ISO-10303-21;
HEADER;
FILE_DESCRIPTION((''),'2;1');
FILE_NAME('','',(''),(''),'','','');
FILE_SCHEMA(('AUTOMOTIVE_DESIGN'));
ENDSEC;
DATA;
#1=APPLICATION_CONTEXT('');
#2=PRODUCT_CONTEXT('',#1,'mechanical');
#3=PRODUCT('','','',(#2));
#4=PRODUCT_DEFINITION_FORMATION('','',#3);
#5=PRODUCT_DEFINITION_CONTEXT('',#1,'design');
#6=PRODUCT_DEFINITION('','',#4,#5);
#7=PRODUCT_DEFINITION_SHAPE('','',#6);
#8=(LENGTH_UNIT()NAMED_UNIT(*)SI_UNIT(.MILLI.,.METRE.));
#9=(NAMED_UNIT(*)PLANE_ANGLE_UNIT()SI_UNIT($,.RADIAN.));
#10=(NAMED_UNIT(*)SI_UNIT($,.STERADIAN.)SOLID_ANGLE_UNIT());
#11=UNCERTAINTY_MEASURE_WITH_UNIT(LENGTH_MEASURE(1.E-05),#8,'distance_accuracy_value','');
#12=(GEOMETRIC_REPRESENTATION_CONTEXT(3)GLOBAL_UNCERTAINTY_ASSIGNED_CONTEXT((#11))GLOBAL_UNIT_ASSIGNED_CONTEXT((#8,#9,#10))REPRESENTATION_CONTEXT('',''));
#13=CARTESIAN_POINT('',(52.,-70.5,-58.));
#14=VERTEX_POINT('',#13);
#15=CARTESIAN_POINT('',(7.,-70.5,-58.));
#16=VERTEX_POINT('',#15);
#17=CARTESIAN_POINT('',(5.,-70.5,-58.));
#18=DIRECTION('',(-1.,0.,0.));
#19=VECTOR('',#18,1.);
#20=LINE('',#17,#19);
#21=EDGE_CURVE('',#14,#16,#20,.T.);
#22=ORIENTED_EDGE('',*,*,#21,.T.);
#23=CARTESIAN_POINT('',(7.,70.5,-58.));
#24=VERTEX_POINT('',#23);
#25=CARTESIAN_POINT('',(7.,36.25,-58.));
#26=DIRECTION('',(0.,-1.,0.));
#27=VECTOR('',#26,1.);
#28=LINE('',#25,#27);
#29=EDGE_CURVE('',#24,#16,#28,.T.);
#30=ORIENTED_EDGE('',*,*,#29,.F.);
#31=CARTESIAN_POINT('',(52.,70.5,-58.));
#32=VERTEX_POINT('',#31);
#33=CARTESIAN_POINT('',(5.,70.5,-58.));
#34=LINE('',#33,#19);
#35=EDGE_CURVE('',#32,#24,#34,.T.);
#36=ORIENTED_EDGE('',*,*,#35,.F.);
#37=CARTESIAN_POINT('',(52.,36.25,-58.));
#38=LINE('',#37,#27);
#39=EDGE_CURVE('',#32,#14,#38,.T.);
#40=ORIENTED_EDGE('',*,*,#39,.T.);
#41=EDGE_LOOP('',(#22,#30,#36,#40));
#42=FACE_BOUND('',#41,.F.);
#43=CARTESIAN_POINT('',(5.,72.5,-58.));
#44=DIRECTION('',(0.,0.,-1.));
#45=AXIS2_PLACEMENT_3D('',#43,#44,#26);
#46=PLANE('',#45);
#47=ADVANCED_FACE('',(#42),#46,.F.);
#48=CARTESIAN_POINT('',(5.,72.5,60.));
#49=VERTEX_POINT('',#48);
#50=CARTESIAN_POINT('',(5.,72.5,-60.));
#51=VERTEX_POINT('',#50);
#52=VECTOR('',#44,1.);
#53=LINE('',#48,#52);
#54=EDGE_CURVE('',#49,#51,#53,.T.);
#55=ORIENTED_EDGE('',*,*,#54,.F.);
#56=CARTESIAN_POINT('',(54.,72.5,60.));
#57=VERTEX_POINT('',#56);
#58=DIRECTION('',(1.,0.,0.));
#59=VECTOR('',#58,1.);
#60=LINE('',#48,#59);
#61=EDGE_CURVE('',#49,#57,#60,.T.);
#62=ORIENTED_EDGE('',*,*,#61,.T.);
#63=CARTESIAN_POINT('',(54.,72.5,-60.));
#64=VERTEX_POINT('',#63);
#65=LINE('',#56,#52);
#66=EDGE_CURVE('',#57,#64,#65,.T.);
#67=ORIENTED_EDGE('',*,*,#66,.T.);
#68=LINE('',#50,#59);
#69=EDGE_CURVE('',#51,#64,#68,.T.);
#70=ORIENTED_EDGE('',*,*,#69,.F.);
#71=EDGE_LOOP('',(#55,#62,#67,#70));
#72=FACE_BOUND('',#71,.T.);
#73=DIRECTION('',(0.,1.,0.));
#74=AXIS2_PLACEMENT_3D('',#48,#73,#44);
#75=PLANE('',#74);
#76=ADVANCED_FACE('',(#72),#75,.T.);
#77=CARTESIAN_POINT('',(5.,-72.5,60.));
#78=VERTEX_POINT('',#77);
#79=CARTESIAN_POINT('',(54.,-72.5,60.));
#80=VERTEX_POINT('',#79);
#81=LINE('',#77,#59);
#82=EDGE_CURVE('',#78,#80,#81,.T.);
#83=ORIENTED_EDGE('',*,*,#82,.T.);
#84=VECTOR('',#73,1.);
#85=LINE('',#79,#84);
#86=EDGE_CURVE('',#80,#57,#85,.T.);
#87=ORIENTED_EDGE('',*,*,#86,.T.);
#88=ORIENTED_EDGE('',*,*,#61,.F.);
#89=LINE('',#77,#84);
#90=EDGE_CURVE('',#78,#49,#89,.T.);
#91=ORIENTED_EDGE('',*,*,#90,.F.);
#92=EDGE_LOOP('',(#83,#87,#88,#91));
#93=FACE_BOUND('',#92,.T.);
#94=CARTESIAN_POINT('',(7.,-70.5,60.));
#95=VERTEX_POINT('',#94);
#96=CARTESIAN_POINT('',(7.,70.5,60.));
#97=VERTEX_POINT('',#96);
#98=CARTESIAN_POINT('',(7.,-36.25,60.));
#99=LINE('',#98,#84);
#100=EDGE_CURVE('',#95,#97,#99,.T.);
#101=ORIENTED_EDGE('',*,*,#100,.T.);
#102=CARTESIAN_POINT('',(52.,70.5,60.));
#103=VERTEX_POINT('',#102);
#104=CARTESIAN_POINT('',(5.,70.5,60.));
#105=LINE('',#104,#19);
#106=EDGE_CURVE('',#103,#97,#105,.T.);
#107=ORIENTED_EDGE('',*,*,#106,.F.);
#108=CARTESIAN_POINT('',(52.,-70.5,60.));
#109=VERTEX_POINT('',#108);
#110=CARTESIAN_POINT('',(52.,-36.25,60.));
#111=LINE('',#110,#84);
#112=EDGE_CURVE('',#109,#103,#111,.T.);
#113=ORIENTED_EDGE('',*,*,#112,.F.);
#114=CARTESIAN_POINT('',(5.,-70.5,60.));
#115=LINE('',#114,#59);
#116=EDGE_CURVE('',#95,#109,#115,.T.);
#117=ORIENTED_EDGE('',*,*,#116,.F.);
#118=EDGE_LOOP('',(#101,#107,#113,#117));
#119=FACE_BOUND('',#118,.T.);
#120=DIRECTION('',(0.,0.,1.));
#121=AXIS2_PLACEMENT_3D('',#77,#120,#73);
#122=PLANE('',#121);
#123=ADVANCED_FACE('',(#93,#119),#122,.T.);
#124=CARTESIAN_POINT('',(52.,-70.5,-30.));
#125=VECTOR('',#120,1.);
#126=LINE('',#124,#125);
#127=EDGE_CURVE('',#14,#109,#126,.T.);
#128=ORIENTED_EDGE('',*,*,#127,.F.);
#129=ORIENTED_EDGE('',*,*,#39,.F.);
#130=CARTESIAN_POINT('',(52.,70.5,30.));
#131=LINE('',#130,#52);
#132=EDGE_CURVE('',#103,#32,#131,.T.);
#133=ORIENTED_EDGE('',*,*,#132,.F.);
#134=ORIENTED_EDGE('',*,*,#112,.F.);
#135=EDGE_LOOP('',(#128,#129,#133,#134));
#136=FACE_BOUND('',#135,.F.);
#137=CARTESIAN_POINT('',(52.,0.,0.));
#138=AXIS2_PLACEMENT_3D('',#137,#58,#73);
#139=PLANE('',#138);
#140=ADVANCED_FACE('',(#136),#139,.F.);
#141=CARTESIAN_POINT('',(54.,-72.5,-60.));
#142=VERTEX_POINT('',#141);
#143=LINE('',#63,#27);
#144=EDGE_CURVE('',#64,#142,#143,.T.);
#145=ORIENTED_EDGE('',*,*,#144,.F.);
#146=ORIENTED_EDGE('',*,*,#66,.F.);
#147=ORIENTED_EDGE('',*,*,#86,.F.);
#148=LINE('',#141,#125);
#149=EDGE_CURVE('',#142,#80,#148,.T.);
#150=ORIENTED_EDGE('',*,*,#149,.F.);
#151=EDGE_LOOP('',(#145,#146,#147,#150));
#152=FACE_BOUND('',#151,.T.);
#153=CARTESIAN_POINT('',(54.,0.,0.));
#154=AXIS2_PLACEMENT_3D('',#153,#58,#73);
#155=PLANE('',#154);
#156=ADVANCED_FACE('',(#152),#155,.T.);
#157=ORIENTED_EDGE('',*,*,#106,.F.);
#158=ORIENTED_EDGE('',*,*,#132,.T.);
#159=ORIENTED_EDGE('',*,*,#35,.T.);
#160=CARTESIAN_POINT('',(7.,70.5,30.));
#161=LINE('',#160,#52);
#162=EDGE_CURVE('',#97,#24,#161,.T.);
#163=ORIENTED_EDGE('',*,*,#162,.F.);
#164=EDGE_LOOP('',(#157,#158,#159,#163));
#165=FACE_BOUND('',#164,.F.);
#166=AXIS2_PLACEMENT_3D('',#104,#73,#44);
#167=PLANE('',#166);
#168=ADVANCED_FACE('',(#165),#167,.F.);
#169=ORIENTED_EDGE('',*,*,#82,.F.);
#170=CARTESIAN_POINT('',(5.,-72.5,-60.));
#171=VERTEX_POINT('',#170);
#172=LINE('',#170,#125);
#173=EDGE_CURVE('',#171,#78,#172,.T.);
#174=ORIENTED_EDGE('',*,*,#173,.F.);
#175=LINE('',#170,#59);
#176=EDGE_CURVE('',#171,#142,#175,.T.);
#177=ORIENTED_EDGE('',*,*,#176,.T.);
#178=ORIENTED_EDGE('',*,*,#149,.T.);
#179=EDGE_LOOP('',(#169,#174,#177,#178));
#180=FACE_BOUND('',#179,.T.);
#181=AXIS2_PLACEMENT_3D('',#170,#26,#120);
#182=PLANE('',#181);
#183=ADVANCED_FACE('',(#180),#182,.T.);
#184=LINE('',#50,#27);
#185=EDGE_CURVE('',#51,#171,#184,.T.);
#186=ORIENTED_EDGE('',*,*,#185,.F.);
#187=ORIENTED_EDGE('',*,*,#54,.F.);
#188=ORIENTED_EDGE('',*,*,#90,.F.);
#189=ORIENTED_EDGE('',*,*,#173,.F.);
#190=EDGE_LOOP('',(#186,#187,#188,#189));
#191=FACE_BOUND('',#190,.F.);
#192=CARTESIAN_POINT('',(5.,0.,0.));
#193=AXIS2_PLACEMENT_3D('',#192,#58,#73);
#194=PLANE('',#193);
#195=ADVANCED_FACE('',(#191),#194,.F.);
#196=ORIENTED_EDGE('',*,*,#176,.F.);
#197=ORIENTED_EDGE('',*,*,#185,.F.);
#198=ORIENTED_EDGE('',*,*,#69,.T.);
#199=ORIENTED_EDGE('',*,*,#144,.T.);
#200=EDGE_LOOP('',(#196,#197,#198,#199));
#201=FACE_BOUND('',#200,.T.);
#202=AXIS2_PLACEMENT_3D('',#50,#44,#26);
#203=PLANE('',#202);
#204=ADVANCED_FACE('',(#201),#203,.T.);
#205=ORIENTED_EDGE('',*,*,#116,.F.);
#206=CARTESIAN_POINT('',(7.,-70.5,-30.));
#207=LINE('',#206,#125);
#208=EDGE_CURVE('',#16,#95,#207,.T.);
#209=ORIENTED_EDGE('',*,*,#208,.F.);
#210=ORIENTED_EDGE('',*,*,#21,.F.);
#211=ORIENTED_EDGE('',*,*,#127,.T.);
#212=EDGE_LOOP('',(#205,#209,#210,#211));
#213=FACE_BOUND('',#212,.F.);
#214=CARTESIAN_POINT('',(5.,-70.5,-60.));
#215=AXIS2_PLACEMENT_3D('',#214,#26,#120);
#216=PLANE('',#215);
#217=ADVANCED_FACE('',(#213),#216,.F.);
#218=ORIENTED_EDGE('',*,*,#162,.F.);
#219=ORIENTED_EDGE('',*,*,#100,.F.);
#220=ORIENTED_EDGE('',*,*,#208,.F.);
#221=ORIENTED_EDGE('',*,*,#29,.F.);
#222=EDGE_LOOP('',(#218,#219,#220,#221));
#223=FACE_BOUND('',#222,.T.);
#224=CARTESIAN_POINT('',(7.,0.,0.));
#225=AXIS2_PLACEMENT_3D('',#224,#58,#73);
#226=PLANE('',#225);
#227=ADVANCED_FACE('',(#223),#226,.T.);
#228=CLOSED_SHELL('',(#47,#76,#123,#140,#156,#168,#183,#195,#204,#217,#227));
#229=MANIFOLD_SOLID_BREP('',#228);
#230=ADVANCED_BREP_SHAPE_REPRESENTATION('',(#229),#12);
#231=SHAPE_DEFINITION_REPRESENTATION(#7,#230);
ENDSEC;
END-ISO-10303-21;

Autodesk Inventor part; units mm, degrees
ref_plane "YZ Plane" through (0, 0, 0) normal (1, 0, 0) x (0, 1, 0)
ref_plane "XZ Plane" through (0, 0, 0) normal (0, 1, 0) x (-1, 0, 0)
ref_plane "Work Plane1" through (5, 0, 0) normal (1, 0, 0) x (0, 1, 0)
sketch "Sketch1" plane through (5, 0, 0) normal (1, 0, 0) x (0, 1, 0)
  line L0 (-72.5, 60) -> (72.5, 60)
  line L1 (72.5, 60) -> (72.5, -60)
  line L2 (72.5, -60) -> (-72.5, -60)
  line L3 (-72.5, -60) -> (-72.5, 60)
  line L4 (-72.5, 60) -> (72.5, -60) construction
  line L5 (72.5, 60) -> (-72.5, -60) construction
  point P0 (0, 0)
  dimension "d0" = 145
  dimension "d1" = 120
extrude "Extrusion1" add sketch "Sketch1" along normal blind 49
shell "Shell2" thickness 2 removed faces 1 at (21.3333, -24.1667, 60)
properties part number "Case"
